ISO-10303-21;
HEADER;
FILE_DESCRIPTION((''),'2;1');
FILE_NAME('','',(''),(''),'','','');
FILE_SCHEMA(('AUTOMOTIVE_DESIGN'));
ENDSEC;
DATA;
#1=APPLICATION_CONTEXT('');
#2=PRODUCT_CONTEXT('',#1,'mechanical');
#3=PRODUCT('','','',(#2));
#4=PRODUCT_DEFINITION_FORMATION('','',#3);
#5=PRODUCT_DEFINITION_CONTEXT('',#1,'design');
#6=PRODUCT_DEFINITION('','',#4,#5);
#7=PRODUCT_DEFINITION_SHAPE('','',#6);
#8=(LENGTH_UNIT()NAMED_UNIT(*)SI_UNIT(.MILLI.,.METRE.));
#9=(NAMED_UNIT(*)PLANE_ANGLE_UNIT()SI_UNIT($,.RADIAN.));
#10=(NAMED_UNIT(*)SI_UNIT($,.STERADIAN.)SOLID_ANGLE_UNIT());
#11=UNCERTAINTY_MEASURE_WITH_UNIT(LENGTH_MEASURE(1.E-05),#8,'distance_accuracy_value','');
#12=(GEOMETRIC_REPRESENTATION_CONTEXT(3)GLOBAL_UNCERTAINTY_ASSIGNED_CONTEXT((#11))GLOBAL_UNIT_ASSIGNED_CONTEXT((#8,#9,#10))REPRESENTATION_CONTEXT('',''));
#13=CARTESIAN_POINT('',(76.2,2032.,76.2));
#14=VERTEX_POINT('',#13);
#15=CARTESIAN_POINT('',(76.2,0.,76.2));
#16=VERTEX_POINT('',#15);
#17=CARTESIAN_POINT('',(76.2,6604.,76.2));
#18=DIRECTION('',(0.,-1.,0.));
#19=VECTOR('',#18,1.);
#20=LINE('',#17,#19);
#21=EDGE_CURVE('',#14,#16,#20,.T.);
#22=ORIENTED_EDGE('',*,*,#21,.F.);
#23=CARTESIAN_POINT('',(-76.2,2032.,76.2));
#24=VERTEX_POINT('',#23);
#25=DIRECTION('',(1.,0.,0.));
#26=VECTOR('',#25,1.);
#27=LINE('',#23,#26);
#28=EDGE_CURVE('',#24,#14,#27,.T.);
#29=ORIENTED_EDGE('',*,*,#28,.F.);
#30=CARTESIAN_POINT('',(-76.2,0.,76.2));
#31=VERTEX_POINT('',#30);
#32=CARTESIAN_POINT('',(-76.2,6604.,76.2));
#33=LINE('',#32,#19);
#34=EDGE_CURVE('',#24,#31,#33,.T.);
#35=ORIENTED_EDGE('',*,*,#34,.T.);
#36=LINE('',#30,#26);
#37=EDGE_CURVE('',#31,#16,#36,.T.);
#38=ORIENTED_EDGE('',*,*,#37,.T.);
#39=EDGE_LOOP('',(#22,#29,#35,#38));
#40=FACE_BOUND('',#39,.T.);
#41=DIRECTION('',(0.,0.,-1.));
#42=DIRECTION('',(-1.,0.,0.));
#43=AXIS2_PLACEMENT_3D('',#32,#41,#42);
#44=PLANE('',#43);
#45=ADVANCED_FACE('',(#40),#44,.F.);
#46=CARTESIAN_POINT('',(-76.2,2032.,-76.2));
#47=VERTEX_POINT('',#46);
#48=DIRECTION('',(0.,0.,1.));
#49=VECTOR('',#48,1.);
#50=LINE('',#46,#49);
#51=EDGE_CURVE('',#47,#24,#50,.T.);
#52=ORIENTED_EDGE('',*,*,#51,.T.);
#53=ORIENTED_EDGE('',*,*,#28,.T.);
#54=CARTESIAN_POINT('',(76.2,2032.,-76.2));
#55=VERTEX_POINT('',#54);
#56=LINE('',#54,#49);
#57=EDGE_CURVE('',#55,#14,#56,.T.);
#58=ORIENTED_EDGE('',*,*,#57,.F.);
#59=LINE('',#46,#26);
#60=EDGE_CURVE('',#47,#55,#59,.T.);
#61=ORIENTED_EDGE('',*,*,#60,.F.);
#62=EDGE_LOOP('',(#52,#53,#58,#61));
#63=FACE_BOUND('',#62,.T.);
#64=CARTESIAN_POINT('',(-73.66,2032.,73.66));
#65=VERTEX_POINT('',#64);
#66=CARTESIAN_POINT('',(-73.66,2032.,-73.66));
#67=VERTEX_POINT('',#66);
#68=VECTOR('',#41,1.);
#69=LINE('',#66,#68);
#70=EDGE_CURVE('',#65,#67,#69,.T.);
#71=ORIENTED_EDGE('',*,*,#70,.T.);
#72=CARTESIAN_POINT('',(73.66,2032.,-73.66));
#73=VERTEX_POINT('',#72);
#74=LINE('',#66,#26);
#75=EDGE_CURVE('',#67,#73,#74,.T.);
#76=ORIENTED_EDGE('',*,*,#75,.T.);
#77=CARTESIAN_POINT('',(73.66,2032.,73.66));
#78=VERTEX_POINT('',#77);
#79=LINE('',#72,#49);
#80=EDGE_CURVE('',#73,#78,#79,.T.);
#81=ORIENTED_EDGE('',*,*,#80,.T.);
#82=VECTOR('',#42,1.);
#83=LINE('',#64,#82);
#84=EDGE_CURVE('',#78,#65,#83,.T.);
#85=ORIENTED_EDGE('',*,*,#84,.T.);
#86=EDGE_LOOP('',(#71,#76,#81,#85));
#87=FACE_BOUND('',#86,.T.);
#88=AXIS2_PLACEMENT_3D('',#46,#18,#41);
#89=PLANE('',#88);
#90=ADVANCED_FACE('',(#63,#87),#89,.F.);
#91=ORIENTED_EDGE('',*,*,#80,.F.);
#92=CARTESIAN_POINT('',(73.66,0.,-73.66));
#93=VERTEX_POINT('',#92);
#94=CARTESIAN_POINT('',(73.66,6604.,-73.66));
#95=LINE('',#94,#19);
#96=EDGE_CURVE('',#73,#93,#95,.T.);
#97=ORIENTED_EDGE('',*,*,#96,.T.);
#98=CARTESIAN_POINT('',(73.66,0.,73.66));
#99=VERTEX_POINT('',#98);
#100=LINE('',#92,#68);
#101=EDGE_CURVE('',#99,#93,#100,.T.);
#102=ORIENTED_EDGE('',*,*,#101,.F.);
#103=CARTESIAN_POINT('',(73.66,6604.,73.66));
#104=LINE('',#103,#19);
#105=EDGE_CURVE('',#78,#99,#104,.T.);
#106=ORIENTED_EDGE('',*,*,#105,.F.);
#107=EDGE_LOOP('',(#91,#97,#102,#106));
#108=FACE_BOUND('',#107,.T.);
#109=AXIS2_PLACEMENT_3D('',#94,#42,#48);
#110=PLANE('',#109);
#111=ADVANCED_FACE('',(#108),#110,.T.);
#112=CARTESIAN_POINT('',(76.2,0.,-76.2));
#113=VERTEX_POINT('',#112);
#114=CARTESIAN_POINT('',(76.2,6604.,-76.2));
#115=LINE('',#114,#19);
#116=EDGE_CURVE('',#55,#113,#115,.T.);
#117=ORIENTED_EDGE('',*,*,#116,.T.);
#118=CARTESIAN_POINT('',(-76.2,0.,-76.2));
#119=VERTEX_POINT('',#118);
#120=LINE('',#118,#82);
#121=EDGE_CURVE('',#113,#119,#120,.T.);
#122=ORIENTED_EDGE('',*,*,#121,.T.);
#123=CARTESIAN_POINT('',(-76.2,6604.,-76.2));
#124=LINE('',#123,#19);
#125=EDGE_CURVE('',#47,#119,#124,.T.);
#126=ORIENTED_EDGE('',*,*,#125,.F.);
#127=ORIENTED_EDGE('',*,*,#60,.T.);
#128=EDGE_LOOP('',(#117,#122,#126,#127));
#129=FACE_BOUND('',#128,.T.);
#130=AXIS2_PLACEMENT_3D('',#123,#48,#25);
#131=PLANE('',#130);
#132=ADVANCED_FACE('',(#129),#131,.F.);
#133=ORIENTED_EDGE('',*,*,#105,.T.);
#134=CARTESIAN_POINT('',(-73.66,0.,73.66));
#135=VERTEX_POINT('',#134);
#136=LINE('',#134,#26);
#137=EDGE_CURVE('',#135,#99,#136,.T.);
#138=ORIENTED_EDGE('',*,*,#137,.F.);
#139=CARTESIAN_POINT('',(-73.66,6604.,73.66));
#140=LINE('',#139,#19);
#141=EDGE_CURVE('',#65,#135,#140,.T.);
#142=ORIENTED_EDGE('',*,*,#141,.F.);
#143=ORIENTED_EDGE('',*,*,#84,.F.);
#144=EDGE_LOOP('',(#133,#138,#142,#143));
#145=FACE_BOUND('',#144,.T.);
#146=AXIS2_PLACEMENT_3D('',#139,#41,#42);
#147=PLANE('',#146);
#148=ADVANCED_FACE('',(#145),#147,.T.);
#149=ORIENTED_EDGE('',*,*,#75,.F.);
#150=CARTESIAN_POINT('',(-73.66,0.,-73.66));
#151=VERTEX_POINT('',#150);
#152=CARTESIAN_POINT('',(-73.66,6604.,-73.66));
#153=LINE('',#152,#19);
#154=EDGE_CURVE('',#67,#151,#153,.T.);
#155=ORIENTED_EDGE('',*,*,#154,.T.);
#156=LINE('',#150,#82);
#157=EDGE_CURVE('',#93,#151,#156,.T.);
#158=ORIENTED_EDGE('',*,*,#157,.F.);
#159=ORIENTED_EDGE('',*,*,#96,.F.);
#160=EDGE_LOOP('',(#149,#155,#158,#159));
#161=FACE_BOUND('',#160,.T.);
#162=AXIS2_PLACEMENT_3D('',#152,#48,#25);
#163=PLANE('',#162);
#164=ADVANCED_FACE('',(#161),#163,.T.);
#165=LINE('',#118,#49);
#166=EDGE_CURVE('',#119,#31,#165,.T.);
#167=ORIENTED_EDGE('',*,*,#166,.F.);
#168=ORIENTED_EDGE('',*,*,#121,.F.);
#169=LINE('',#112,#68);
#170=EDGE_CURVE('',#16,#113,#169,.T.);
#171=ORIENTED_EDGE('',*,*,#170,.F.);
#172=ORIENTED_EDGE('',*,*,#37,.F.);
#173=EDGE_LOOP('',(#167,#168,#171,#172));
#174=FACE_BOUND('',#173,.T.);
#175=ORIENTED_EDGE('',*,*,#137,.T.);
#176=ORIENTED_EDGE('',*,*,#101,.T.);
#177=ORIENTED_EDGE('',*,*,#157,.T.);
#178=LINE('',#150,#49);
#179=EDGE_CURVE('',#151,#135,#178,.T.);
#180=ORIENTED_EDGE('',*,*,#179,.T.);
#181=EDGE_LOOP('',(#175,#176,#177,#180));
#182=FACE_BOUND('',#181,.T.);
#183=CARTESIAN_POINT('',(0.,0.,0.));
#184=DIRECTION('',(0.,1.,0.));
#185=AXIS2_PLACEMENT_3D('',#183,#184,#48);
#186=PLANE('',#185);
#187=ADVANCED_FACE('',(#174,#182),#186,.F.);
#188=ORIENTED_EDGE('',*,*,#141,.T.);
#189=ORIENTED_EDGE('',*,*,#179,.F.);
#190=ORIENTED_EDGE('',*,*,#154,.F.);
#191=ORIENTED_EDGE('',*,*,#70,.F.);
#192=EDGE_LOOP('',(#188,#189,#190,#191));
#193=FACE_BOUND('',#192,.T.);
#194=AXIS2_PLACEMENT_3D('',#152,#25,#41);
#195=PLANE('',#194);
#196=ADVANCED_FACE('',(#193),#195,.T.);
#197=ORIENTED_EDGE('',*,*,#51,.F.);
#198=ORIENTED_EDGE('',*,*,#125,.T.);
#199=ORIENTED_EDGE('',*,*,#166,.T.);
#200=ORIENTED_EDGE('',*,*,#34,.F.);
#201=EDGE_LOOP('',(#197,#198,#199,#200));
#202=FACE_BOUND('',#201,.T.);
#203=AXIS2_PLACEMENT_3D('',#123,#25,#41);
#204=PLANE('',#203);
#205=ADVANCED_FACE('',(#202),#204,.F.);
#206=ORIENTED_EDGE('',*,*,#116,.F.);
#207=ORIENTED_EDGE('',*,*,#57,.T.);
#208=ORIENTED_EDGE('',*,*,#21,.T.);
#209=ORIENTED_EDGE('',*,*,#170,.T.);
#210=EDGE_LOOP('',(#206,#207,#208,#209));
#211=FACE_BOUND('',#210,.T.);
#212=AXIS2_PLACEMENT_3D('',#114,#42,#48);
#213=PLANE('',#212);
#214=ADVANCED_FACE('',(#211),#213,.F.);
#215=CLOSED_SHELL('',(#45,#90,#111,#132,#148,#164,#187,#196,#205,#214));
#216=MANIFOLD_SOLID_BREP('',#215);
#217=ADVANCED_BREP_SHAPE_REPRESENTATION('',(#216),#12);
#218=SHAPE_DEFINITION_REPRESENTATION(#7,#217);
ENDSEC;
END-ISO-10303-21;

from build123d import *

# Parameters (mm, degrees)
SKETCH1_W           = 152.4
SKETCH1_H           = 152.4
SKETCH1_W_2         = 147.32
SKETCH1_H_2         = 147.32
BOSS_EXTRUDE1_DEPTH = 6604
SKETCH2_W           = 152.4
SKETCH2_H           = 4572
CUT_EXTRUDE1_DEPTH  = 6607.197711241


with BuildPart() as part:
    # Sketch1 → Boss-Extrude1 (new body)
    with BuildSketch(Plane(origin=(0, 0, 0), x_dir=(1, 0, 0), z_dir=(0, 1, 0))):
        Rectangle(SKETCH1_W, SKETCH1_H)
        Rectangle(SKETCH1_W_2, SKETCH1_H_2, mode=Mode.SUBTRACT)
    extrude(amount=BOSS_EXTRUDE1_DEPTH)

    # Sketch2 → Cut-Extrude1 (cut, through all)
    with BuildSketch(Plane.XY.offset(76.2)):
        with Locations((0, 4318)):
            Rectangle(SKETCH2_W, SKETCH2_H)
    extrude(amount=-CUT_EXTRUDE1_DEPTH, mode=Mode.SUBTRACT)


solid = part.part
